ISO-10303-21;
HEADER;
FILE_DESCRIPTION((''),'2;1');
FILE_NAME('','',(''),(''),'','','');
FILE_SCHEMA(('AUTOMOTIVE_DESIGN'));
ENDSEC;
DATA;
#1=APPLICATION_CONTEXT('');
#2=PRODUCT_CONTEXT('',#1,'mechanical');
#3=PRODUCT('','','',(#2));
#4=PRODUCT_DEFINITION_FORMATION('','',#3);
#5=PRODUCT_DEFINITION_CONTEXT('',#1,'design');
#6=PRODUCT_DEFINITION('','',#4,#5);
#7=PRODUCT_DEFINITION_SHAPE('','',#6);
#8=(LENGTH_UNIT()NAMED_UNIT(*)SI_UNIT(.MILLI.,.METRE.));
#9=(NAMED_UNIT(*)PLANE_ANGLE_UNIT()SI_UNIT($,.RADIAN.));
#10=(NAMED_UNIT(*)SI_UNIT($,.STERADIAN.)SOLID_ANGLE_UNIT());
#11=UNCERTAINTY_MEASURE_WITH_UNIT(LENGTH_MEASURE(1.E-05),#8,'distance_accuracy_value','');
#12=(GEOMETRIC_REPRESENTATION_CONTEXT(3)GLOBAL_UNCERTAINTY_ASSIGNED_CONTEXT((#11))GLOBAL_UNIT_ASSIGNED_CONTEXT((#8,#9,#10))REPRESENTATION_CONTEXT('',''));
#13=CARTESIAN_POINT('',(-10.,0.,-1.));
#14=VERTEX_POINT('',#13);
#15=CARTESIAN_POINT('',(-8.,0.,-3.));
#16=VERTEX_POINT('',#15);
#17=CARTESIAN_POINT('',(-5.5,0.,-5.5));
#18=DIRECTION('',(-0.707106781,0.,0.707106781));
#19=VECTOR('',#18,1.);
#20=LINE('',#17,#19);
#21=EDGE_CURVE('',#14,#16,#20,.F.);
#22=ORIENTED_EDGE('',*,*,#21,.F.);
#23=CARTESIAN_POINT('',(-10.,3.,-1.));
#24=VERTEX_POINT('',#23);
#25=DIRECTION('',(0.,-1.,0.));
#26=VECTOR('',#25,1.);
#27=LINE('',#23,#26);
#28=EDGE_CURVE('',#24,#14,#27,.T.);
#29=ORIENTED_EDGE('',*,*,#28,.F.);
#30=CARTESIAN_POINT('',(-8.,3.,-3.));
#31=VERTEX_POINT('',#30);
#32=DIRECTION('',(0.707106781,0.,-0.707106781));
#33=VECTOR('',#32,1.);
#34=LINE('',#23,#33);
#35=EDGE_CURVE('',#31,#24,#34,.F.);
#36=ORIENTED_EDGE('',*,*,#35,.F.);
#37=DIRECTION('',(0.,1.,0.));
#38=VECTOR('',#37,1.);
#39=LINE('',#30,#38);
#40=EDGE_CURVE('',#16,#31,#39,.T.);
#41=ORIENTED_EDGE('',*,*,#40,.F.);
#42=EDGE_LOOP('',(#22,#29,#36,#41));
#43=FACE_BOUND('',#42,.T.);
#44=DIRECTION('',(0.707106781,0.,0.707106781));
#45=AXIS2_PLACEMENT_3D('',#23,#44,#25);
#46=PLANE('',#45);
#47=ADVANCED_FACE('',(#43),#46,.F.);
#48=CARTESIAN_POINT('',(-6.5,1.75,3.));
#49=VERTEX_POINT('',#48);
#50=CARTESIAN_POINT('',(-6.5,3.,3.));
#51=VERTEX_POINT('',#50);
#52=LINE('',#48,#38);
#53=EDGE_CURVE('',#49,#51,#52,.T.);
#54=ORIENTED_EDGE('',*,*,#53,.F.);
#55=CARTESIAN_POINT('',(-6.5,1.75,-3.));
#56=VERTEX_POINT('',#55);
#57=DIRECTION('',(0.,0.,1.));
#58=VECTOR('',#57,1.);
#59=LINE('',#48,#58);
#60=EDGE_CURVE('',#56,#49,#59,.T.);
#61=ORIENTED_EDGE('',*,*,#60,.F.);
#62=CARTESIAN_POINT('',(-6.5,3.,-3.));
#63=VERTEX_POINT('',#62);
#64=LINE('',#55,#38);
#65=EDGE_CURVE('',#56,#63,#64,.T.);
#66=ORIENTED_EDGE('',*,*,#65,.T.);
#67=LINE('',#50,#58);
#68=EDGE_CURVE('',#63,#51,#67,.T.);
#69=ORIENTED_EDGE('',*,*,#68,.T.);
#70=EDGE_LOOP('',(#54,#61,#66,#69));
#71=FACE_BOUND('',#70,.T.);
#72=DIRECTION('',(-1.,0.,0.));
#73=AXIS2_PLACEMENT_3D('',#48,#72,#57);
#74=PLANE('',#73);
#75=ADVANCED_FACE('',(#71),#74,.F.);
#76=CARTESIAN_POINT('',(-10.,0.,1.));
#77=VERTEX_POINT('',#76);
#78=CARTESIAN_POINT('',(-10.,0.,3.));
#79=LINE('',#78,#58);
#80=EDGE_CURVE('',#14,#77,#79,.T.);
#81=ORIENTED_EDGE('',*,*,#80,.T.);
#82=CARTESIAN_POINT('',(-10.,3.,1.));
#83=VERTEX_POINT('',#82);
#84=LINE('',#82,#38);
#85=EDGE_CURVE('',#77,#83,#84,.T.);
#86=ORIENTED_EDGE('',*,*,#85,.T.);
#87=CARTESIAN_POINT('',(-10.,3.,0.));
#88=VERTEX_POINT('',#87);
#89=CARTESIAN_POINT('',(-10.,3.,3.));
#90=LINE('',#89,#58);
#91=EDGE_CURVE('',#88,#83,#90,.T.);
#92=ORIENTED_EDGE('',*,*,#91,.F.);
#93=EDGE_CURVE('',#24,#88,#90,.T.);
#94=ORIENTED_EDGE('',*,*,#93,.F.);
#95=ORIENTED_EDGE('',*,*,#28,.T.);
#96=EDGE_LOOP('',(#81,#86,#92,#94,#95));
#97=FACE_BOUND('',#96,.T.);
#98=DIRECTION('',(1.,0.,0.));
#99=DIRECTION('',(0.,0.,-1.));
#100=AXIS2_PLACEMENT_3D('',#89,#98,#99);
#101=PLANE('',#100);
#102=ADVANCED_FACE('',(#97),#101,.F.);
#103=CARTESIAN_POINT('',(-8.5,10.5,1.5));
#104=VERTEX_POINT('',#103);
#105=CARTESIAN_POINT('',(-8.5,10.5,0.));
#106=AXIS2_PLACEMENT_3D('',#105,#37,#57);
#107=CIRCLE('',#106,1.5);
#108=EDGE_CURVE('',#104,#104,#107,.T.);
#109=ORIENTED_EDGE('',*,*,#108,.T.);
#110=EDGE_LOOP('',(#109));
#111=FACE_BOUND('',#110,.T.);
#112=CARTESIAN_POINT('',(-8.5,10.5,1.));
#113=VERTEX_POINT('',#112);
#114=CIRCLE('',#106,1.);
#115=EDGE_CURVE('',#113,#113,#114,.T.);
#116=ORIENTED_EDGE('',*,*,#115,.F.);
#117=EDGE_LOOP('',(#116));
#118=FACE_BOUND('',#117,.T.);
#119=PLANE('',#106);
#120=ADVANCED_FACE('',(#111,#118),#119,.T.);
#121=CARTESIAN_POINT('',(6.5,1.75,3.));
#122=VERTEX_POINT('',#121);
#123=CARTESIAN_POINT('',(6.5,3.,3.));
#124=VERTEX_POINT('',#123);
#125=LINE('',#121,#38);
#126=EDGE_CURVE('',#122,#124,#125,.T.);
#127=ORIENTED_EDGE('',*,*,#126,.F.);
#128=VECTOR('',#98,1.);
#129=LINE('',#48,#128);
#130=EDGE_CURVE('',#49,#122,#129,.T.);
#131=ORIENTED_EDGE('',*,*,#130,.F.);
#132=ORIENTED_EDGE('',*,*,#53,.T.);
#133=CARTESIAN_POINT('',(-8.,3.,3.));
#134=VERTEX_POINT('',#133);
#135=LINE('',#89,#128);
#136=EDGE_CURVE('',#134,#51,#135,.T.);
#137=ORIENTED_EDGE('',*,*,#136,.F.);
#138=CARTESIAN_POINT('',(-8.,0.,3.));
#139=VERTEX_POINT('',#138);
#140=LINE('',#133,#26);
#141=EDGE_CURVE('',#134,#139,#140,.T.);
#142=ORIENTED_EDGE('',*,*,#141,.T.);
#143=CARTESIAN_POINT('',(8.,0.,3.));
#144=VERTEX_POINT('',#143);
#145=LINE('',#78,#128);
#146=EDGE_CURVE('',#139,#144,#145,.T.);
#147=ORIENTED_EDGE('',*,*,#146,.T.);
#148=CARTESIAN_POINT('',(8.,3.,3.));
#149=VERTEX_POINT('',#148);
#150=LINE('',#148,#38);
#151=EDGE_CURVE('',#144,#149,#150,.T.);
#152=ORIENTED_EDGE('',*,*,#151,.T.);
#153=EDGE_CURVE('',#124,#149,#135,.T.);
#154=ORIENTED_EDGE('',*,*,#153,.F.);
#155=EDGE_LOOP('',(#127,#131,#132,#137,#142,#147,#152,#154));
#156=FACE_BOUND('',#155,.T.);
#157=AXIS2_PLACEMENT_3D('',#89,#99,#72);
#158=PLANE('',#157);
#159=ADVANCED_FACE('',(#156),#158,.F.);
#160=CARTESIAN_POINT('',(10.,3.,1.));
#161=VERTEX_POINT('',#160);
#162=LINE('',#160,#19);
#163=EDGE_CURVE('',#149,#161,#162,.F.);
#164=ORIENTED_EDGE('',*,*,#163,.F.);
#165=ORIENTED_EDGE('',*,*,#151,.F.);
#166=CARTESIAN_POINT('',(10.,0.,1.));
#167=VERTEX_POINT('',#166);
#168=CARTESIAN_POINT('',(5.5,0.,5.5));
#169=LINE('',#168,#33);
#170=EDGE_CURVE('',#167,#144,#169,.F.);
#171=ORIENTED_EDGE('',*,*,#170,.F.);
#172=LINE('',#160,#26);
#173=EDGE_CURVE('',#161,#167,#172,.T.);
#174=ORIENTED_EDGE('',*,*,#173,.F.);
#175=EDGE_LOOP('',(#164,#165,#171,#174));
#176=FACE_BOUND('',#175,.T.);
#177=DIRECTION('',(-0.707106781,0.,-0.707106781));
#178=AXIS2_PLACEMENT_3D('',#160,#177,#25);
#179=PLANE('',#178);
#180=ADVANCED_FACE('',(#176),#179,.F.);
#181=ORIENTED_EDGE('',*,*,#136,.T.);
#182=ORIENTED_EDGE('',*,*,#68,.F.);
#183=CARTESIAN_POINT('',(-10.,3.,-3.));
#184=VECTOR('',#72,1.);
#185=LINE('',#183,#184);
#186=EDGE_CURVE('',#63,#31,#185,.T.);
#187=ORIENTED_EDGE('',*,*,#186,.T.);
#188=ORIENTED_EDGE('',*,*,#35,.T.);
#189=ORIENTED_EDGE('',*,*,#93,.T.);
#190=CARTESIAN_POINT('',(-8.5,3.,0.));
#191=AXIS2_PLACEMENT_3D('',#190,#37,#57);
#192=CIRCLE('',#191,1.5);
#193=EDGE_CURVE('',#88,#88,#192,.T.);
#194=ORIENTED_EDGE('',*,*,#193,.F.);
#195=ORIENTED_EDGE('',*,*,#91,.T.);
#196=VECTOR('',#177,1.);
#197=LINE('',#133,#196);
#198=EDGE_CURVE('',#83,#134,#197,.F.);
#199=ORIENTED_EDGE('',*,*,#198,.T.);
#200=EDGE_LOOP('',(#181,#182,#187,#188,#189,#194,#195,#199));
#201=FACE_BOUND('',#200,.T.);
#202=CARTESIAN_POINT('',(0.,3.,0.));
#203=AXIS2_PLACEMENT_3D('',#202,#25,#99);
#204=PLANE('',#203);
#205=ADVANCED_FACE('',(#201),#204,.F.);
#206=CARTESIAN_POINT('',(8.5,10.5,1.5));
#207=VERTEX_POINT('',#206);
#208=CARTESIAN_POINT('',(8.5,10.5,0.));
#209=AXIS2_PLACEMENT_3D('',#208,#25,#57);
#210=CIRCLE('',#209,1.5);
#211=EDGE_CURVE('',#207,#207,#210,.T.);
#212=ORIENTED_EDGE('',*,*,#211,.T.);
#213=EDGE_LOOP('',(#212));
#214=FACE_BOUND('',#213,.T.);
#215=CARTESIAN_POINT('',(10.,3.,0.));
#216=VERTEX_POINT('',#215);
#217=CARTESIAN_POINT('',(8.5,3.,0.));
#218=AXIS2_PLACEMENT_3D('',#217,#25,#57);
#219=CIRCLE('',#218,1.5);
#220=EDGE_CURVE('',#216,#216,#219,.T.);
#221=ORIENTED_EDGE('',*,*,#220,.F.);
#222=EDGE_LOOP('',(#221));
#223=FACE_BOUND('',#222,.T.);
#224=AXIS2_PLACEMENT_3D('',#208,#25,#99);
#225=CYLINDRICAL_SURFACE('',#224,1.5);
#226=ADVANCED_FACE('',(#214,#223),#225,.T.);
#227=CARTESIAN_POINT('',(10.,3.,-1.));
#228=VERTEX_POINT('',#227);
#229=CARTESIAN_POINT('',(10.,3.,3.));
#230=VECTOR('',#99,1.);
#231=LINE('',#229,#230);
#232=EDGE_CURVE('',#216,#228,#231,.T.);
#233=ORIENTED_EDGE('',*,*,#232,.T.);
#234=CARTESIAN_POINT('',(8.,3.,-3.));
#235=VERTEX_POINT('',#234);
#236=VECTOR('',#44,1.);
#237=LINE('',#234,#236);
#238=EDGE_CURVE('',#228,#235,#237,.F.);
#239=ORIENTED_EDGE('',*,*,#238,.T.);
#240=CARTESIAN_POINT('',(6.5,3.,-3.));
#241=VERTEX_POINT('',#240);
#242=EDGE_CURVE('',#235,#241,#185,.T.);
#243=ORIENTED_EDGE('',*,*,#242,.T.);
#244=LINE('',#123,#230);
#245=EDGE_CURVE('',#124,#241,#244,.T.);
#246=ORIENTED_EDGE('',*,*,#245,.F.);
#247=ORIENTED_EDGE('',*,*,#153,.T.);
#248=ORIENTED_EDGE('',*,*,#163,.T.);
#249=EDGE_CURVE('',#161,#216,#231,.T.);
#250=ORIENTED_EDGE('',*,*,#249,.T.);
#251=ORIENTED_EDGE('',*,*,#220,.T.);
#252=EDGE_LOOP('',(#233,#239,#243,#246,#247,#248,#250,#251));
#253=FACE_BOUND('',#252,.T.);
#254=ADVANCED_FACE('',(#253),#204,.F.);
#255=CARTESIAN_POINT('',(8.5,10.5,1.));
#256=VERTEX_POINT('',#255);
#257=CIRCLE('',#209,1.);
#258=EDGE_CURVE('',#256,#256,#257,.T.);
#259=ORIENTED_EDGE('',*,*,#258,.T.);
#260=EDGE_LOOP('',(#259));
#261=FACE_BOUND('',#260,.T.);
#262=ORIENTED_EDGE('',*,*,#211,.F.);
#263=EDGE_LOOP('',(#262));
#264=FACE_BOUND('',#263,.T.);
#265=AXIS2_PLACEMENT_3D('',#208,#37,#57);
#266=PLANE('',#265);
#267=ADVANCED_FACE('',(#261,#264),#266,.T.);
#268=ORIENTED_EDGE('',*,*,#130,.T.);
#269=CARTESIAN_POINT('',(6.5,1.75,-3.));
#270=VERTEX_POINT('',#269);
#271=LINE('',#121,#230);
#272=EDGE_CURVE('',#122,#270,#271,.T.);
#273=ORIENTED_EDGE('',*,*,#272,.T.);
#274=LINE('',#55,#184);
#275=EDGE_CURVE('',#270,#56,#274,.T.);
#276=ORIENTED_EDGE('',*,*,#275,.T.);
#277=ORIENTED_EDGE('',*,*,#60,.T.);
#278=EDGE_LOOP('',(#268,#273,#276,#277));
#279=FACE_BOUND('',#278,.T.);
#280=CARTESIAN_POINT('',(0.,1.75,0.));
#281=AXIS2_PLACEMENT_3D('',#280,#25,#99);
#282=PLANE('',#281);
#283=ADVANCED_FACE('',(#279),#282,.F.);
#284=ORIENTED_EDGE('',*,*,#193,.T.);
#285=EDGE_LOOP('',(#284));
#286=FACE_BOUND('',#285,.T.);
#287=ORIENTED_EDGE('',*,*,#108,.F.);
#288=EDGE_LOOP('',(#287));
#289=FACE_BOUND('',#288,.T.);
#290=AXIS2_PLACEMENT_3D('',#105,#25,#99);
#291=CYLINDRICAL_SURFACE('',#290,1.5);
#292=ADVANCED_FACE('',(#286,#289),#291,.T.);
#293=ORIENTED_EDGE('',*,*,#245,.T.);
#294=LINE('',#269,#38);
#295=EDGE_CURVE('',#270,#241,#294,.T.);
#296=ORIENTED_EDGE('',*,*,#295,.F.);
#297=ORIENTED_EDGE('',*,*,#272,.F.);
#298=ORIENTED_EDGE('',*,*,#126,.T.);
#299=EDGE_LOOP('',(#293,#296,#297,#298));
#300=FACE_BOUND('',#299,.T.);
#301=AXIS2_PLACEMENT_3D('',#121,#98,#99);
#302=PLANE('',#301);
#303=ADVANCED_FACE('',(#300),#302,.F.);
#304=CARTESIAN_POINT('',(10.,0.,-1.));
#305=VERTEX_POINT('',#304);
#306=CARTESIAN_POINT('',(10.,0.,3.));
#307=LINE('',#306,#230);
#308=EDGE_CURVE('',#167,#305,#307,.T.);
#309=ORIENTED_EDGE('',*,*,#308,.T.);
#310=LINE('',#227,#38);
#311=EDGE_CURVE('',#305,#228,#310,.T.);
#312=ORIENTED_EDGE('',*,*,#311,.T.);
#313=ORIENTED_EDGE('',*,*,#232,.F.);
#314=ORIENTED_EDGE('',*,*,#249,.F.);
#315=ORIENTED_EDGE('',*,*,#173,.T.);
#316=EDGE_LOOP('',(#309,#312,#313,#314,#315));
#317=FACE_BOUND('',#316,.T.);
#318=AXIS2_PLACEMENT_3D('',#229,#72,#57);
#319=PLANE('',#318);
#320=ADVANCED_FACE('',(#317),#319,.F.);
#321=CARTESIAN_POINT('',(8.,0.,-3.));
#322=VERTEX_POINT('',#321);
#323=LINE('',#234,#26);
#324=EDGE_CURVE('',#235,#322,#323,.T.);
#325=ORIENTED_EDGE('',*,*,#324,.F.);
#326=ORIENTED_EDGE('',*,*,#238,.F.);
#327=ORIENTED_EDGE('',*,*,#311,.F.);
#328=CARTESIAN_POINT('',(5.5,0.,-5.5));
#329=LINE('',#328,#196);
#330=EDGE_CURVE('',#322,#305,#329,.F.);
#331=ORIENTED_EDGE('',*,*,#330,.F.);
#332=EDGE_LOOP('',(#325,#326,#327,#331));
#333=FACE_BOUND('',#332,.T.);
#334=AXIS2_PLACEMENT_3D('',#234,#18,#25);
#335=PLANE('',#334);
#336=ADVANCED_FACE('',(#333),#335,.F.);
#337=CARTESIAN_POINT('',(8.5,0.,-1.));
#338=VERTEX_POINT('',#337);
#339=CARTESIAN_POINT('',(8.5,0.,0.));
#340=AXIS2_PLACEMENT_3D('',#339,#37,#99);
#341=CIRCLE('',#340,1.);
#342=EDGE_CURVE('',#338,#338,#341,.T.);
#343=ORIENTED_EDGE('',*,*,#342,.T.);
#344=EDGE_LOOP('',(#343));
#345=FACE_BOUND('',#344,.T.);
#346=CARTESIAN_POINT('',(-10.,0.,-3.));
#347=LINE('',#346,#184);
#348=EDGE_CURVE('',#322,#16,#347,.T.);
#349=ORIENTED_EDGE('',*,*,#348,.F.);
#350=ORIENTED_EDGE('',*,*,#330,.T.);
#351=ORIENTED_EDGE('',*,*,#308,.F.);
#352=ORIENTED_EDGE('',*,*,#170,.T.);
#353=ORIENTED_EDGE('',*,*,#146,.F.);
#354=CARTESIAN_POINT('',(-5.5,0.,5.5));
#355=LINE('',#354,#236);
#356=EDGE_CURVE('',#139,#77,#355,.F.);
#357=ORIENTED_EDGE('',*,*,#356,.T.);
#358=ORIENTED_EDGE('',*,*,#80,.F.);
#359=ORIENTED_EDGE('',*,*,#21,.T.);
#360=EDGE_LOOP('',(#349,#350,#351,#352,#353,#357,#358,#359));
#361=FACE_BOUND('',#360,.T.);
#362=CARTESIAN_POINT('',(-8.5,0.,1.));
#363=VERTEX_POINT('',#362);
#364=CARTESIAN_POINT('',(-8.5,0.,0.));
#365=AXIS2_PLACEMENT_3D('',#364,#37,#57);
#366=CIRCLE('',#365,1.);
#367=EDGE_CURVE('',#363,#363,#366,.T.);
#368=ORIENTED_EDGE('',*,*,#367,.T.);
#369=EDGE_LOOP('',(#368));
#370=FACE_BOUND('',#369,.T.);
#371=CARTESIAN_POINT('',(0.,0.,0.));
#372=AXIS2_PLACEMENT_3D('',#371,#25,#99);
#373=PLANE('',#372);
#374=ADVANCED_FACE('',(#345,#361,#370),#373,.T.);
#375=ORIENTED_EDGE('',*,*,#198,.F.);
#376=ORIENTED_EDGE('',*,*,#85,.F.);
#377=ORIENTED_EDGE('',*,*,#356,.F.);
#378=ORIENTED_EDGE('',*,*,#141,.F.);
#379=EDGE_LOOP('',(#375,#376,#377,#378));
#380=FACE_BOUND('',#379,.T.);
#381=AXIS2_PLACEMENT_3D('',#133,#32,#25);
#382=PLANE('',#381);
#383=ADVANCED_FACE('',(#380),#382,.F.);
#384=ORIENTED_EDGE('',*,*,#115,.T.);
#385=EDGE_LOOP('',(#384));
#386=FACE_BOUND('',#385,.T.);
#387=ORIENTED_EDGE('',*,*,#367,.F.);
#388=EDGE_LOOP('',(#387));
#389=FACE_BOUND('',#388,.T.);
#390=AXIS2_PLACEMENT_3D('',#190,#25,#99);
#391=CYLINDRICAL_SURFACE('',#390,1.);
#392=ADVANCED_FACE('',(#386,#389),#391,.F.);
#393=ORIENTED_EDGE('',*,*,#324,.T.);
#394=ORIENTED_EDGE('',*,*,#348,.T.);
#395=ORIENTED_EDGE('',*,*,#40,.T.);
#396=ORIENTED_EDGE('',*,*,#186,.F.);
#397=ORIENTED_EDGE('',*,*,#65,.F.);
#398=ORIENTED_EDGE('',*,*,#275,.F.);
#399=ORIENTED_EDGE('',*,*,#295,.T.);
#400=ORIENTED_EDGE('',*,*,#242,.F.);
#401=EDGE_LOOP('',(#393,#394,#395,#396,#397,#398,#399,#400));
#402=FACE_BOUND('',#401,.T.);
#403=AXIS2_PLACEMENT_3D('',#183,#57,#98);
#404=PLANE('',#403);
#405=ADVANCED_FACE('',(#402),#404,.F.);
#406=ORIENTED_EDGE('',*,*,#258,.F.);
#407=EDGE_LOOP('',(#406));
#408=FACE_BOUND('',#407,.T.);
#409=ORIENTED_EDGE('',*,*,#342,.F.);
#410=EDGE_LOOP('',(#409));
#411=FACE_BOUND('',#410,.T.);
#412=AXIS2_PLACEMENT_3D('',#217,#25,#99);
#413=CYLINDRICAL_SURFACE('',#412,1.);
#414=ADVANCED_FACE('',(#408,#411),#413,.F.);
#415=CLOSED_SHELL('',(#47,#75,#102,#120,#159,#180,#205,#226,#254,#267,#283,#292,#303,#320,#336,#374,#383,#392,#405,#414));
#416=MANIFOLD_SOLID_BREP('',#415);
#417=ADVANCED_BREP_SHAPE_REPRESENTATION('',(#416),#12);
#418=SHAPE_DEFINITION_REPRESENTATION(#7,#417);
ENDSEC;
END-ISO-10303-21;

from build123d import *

# Parameters (mm, degrees)
SKETCH1_W           = 20
SKETCH1_H           = 6
SKETCH1_R           = 1
BOSS_EXTRUDE1_DEPTH = 3
SKETCH2_W           = 13
SKETCH2_H           = 6
CUT_EXTRUDE1_DEPTH  = 1.25
CHAMFER1_SIZE       = 2
SKETCH3_R           = 1.5
SKETCH3_R_2         = 1
BOSS_EXTRUDE2_DEPTH = 7.5


with BuildPart() as part:
    # Sketch1 → Boss-Extrude1 (new body)
    with BuildSketch(Plane(origin=(0, 0, 0), x_dir=(1, 0, 0), z_dir=(0, 1, 0))):
        Rectangle(SKETCH1_W, SKETCH1_H)
        with Locations((-8.5, 0)):
            Circle(SKETCH1_R, mode=Mode.SUBTRACT)
        with Locations((8.5, 0)):
            Circle(SKETCH1_R, mode=Mode.SUBTRACT)
    extrude(amount=BOSS_EXTRUDE1_DEPTH)

    # Sketch2 → Cut-Extrude1 (cut)
    with BuildSketch(Plane(origin=(0, 3, 0), x_dir=(1, 0, 0), z_dir=(0, 1, 0))):
        Rectangle(SKETCH2_W, SKETCH2_H)
    extrude(amount=-CUT_EXTRUDE1_DEPTH, mode=Mode.SUBTRACT)

    # Chamfer1
    chamfer1_edges = [part.edges().sort_by_distance(p)[0] for p in [
        (10, 1.5, 3),
        (-10, 1.5, 3),
        (-10, 1.5, -3),
        (10, 1.5, -3),
    ]]
    chamfer(chamfer1_edges, length=CHAMFER1_SIZE)

    # Sketch3 → Boss-Extrude2 (add)
    with BuildSketch(Plane(origin=(0, 3, 0), x_dir=(1, 0, 0), z_dir=(0, 1, 0))):
        with Locations((-8.5, 0)):
            Circle(SKETCH3_R)
        with Locations((-8.5, 0)):
            Circle(SKETCH3_R_2, mode=Mode.SUBTRACT)
    boss_extrude2 = extrude(amount=BOSS_EXTRUDE2_DEPTH)

    # Mirror1: Boss-Extrude2 across plane
    add(boss_extrude2.mirror(Plane(origin=(0, 0, 0), x_dir=(0, 0, 1), z_dir=(1, 0, 0))))


solid = part.part
